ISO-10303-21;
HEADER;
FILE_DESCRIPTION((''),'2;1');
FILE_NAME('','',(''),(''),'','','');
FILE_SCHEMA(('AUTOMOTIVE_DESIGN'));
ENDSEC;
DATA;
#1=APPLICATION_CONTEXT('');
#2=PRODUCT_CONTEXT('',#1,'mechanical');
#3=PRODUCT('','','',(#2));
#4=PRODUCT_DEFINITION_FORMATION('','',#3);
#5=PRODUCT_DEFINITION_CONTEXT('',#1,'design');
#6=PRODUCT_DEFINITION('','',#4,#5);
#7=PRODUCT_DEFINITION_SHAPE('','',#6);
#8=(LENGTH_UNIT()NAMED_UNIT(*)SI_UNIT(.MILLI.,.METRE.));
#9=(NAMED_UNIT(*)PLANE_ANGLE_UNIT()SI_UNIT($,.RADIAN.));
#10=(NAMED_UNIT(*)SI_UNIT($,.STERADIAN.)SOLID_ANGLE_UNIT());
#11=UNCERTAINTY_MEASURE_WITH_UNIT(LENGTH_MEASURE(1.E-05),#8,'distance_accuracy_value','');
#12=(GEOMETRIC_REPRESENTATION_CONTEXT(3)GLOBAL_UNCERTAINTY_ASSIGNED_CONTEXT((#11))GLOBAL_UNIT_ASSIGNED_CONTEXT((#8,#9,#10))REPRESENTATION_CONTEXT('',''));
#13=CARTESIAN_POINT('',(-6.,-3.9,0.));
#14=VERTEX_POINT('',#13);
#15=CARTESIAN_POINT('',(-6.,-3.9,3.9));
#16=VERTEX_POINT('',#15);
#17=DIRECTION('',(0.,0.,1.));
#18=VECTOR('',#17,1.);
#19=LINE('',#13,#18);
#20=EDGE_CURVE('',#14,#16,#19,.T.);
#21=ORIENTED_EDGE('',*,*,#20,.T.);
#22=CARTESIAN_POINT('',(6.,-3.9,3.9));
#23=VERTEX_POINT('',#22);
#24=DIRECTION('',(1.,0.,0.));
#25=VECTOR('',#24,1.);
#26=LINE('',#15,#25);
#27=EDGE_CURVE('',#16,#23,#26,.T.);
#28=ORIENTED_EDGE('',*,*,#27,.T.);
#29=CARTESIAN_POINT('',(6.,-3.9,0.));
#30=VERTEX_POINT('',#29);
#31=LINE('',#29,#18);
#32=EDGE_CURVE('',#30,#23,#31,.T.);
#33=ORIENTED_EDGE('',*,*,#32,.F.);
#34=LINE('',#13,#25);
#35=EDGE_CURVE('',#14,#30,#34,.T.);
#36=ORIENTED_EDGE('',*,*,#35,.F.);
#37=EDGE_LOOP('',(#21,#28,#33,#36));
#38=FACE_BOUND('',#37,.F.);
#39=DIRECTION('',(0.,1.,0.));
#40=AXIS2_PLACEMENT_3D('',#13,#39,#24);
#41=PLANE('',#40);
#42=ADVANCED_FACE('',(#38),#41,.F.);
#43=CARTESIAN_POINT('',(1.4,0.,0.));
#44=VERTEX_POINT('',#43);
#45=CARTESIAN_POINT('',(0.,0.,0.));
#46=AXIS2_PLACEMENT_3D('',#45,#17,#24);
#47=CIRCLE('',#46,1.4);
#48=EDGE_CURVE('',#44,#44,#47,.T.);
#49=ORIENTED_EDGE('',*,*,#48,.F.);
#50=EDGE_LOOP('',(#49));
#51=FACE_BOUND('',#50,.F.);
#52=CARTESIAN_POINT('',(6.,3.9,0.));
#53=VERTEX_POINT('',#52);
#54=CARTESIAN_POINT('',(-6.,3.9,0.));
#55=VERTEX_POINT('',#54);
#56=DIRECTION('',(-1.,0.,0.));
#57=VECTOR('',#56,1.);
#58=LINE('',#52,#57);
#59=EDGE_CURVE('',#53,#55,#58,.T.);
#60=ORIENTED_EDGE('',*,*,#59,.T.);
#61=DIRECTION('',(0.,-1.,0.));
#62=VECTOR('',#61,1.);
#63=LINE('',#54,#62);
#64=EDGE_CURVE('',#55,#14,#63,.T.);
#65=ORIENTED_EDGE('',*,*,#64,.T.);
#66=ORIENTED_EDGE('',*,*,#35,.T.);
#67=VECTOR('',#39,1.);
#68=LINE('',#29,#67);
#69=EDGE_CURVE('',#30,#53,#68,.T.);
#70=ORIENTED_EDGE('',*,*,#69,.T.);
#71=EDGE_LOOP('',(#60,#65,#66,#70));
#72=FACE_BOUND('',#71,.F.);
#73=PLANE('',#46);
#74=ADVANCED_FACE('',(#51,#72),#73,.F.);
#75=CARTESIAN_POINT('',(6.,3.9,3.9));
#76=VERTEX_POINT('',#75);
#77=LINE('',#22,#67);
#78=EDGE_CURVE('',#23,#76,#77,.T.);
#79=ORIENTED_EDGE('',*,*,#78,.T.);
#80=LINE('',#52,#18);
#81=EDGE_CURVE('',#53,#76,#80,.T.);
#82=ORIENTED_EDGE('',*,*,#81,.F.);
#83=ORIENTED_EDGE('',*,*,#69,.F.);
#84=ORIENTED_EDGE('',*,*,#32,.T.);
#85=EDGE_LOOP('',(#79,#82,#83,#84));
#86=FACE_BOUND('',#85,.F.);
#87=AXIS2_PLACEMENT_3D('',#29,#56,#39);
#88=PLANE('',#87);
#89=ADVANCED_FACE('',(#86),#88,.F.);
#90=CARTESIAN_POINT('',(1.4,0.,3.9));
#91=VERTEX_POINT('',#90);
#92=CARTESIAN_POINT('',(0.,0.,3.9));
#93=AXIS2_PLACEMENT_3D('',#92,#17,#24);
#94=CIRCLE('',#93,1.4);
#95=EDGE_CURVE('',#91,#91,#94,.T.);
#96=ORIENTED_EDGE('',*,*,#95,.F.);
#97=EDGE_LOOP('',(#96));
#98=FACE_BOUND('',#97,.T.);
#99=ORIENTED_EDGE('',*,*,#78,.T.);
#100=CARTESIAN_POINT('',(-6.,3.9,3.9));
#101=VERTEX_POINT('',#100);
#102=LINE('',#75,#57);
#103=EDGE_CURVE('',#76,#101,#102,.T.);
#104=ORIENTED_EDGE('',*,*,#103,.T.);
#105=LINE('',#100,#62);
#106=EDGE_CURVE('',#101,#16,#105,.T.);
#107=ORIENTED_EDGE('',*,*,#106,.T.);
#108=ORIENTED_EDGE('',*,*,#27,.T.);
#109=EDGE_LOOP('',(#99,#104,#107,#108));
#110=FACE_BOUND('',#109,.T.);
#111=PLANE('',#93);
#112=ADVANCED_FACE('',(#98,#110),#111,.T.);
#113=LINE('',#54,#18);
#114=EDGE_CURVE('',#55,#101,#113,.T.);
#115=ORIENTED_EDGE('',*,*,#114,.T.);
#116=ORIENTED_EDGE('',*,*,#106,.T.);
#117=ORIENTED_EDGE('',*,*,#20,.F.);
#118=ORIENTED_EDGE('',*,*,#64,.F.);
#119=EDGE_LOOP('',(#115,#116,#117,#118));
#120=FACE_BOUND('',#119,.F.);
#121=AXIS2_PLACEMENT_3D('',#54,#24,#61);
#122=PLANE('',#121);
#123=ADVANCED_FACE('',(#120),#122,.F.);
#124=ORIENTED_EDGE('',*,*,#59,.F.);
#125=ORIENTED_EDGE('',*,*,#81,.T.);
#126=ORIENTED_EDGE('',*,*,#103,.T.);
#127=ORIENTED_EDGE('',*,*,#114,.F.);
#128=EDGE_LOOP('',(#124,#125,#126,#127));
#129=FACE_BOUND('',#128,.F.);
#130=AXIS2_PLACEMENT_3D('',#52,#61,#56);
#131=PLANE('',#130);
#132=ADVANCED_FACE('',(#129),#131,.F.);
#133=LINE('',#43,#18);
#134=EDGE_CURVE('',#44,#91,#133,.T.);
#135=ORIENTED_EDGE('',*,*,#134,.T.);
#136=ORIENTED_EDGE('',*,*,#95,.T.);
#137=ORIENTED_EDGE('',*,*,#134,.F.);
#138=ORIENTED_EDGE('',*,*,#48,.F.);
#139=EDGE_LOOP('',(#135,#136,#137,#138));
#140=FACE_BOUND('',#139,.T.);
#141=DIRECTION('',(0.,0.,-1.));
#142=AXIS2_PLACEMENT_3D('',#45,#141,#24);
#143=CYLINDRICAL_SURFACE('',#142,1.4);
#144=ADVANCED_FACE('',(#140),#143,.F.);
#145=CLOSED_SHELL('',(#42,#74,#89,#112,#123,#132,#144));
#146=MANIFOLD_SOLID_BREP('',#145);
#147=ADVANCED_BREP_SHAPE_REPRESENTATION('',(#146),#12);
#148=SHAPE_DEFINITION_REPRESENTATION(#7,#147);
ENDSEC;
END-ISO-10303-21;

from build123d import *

# Parameters (mm, degrees)
F1_R     = 1.4
F2_DEPTH = 3.9


with BuildPart() as f2:
    # F1 (on Top) → F2 (new body)
    with BuildSketch(Plane.XY):
        Polygon((-6, 3.9), (-6, 0), (-6, -3.9), (0, -3.9), (6, -3.9), (6, 0), (6, 3.9), (0, 3.9), align=None)
        Circle(F1_R, mode=Mode.SUBTRACT)
    extrude(amount=F2_DEPTH)


solid = f2.part
